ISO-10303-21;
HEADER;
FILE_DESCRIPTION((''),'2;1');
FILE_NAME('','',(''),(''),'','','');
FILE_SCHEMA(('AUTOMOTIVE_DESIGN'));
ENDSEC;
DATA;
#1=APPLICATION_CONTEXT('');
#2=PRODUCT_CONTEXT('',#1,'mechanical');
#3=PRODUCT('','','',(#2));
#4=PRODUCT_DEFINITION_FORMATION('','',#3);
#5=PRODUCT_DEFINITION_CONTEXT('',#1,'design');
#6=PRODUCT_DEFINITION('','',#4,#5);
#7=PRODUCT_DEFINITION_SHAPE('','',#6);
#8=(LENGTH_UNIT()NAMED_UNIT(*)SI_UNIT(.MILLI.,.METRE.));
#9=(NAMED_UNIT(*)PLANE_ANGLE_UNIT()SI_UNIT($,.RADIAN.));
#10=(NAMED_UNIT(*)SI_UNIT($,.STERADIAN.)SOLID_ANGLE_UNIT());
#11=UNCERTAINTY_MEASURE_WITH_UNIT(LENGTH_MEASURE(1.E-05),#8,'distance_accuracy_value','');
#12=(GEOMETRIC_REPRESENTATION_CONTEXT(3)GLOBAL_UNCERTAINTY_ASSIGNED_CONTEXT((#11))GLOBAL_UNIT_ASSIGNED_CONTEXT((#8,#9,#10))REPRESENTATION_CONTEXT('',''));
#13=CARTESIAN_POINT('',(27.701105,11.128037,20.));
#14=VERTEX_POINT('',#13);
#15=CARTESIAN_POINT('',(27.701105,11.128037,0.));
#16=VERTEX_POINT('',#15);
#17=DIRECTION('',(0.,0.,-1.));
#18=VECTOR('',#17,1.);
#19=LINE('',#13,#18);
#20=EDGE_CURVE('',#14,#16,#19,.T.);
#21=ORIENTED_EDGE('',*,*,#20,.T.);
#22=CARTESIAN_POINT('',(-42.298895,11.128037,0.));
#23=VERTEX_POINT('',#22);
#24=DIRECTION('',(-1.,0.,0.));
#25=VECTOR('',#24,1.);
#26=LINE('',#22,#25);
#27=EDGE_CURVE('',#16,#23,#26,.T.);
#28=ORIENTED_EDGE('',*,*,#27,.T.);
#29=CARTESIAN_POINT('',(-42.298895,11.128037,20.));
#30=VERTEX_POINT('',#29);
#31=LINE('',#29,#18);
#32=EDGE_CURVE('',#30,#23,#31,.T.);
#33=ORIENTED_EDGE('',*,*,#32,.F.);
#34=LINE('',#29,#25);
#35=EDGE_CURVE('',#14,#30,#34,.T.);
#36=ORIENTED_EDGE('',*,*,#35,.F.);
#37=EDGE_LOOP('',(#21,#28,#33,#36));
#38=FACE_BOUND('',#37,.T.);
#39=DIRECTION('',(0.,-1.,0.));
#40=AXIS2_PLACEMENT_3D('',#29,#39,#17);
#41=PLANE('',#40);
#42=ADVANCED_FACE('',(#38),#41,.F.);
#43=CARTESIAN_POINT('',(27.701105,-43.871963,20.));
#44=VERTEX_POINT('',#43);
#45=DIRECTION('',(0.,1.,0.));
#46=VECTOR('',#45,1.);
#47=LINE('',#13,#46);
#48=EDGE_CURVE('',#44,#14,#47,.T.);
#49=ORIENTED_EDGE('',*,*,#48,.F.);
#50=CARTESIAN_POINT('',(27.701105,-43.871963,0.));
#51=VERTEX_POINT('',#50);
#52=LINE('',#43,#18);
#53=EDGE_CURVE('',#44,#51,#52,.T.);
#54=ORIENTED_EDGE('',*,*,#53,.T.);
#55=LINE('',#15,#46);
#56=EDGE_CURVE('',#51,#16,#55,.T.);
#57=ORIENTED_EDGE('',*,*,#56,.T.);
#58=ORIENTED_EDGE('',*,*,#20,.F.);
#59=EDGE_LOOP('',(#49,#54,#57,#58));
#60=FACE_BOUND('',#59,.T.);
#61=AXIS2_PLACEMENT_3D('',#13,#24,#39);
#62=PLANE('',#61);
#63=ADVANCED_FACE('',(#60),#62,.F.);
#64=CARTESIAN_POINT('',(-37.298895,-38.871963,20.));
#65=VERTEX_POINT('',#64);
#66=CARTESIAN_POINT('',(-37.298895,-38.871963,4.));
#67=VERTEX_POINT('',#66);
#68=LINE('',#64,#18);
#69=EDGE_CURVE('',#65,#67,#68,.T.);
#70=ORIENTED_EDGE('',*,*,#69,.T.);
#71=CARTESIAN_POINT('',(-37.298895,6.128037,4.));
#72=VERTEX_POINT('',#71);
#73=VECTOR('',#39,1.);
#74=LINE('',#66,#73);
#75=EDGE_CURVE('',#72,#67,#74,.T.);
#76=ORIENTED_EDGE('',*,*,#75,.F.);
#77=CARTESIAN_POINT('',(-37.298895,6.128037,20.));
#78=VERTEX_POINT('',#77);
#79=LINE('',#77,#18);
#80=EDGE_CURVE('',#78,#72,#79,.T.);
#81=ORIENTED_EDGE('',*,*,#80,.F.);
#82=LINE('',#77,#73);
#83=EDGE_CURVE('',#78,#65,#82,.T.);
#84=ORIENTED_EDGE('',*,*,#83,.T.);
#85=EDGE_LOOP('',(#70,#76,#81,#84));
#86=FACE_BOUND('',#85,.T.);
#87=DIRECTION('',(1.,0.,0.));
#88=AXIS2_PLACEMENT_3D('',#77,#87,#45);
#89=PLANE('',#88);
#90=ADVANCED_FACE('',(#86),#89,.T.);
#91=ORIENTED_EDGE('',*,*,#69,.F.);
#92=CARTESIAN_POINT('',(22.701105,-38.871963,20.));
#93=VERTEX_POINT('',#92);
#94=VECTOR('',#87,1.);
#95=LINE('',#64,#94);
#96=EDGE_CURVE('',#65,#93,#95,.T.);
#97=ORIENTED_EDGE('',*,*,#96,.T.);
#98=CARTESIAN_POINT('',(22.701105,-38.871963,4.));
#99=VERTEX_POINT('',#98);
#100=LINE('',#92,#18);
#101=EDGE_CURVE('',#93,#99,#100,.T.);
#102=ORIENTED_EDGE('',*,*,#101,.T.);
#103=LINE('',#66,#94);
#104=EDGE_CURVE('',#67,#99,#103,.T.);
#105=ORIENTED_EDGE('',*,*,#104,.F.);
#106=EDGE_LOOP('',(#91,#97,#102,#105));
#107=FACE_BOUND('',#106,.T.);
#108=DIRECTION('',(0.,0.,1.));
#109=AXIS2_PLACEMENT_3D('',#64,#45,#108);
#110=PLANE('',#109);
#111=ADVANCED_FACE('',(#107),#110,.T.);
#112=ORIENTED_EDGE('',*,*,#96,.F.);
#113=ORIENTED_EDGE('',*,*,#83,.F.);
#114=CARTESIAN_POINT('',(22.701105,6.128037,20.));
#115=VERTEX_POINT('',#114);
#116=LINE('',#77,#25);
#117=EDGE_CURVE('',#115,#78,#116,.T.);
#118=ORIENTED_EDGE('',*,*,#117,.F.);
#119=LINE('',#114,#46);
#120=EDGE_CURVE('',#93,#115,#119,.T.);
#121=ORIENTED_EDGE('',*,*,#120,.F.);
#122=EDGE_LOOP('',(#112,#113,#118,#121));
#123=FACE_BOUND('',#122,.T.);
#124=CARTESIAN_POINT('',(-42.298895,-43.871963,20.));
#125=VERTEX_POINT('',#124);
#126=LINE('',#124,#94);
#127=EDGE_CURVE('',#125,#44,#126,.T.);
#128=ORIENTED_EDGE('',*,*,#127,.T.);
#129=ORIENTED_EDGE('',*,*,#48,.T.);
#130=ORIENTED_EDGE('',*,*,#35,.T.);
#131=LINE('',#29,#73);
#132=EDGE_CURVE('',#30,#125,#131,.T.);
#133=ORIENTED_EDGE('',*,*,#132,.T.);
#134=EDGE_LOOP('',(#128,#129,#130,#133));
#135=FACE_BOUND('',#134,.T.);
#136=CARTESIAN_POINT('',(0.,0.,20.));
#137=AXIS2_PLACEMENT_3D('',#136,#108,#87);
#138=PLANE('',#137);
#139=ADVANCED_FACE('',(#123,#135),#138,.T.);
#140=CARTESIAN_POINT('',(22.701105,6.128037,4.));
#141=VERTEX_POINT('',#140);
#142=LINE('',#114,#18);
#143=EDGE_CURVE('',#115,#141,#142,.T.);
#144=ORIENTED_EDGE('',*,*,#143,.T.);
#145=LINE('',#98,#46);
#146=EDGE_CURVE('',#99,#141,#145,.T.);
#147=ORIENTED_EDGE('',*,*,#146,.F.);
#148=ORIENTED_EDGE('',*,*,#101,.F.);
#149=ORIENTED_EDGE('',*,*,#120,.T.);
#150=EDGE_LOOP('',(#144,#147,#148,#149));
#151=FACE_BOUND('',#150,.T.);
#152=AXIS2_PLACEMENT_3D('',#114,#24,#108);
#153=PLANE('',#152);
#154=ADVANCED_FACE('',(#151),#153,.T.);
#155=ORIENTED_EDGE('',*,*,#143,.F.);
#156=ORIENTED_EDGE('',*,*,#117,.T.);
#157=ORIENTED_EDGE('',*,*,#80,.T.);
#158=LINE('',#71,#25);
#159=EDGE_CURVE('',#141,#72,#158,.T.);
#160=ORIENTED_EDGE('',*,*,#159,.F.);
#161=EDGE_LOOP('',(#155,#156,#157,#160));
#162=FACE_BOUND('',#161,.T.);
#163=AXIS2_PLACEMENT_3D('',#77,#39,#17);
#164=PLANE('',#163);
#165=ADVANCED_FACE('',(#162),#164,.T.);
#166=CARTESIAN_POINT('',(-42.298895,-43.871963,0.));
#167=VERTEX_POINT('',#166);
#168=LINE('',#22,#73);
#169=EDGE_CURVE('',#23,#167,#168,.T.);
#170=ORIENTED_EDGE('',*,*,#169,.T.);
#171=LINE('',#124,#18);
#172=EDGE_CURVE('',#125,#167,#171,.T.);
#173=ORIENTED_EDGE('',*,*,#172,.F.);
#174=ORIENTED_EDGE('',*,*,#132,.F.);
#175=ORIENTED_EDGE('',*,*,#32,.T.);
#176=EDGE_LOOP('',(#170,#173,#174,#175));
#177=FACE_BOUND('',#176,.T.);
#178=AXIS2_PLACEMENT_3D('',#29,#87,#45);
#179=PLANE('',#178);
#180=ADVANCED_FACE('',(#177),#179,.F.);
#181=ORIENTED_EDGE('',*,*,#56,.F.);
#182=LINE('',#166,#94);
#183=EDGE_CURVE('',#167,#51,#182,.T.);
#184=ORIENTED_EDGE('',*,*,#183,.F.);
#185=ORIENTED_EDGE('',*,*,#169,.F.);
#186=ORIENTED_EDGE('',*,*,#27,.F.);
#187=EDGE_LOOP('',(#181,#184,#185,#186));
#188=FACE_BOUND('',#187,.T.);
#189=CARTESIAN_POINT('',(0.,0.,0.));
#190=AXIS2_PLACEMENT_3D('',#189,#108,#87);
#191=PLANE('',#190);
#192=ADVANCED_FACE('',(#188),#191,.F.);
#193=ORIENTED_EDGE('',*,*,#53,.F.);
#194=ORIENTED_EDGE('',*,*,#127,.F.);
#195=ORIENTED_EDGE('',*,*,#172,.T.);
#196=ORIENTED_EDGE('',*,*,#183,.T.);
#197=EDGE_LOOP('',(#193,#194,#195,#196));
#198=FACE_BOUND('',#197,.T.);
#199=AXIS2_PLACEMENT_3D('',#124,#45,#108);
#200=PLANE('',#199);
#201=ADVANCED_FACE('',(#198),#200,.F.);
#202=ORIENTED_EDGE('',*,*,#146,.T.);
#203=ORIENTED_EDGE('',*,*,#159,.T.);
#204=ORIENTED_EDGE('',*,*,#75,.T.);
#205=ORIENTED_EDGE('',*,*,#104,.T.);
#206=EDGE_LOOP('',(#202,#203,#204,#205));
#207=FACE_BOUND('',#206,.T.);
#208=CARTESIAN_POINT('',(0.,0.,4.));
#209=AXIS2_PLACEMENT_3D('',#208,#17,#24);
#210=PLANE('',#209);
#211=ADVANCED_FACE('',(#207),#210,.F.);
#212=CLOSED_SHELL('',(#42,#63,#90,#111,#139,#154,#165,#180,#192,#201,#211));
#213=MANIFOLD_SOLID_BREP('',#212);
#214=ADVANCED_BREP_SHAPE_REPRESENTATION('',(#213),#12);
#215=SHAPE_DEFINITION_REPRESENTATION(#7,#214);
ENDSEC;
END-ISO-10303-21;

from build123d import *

# Parameters (mm, degrees)
SKETCH1_W           = 70
SKETCH1_H           = 55
SKETCH1_W_2         = 60
SKETCH1_H_2         = 45
BOSS_EXTRUDE1_DEPTH = 20
SKETCH2_W           = 60
SKETCH2_H           = 45
BOSS_EXTRUDE2_DEPTH = 4


with BuildPart() as part:
    # Sketch1 → Boss-Extrude1 (new body)
    with BuildSketch(Plane.XY):
        with Locations((-7.298895247, -16.371962617)):
            Rectangle(SKETCH1_W, SKETCH1_H)
        with Locations((-7.298895247, -16.371962617)):
            Rectangle(SKETCH1_W_2, SKETCH1_H_2, mode=Mode.SUBTRACT)
    extrude(amount=BOSS_EXTRUDE1_DEPTH)

    # Sketch2 → Boss-Extrude2 (add)
    with BuildSketch(Plane.XY):
        with Locations((-7.298895247, -16.371962617)):
            Rectangle(SKETCH2_W, SKETCH2_H)
    extrude(amount=BOSS_EXTRUDE2_DEPTH)


solid = part.part
